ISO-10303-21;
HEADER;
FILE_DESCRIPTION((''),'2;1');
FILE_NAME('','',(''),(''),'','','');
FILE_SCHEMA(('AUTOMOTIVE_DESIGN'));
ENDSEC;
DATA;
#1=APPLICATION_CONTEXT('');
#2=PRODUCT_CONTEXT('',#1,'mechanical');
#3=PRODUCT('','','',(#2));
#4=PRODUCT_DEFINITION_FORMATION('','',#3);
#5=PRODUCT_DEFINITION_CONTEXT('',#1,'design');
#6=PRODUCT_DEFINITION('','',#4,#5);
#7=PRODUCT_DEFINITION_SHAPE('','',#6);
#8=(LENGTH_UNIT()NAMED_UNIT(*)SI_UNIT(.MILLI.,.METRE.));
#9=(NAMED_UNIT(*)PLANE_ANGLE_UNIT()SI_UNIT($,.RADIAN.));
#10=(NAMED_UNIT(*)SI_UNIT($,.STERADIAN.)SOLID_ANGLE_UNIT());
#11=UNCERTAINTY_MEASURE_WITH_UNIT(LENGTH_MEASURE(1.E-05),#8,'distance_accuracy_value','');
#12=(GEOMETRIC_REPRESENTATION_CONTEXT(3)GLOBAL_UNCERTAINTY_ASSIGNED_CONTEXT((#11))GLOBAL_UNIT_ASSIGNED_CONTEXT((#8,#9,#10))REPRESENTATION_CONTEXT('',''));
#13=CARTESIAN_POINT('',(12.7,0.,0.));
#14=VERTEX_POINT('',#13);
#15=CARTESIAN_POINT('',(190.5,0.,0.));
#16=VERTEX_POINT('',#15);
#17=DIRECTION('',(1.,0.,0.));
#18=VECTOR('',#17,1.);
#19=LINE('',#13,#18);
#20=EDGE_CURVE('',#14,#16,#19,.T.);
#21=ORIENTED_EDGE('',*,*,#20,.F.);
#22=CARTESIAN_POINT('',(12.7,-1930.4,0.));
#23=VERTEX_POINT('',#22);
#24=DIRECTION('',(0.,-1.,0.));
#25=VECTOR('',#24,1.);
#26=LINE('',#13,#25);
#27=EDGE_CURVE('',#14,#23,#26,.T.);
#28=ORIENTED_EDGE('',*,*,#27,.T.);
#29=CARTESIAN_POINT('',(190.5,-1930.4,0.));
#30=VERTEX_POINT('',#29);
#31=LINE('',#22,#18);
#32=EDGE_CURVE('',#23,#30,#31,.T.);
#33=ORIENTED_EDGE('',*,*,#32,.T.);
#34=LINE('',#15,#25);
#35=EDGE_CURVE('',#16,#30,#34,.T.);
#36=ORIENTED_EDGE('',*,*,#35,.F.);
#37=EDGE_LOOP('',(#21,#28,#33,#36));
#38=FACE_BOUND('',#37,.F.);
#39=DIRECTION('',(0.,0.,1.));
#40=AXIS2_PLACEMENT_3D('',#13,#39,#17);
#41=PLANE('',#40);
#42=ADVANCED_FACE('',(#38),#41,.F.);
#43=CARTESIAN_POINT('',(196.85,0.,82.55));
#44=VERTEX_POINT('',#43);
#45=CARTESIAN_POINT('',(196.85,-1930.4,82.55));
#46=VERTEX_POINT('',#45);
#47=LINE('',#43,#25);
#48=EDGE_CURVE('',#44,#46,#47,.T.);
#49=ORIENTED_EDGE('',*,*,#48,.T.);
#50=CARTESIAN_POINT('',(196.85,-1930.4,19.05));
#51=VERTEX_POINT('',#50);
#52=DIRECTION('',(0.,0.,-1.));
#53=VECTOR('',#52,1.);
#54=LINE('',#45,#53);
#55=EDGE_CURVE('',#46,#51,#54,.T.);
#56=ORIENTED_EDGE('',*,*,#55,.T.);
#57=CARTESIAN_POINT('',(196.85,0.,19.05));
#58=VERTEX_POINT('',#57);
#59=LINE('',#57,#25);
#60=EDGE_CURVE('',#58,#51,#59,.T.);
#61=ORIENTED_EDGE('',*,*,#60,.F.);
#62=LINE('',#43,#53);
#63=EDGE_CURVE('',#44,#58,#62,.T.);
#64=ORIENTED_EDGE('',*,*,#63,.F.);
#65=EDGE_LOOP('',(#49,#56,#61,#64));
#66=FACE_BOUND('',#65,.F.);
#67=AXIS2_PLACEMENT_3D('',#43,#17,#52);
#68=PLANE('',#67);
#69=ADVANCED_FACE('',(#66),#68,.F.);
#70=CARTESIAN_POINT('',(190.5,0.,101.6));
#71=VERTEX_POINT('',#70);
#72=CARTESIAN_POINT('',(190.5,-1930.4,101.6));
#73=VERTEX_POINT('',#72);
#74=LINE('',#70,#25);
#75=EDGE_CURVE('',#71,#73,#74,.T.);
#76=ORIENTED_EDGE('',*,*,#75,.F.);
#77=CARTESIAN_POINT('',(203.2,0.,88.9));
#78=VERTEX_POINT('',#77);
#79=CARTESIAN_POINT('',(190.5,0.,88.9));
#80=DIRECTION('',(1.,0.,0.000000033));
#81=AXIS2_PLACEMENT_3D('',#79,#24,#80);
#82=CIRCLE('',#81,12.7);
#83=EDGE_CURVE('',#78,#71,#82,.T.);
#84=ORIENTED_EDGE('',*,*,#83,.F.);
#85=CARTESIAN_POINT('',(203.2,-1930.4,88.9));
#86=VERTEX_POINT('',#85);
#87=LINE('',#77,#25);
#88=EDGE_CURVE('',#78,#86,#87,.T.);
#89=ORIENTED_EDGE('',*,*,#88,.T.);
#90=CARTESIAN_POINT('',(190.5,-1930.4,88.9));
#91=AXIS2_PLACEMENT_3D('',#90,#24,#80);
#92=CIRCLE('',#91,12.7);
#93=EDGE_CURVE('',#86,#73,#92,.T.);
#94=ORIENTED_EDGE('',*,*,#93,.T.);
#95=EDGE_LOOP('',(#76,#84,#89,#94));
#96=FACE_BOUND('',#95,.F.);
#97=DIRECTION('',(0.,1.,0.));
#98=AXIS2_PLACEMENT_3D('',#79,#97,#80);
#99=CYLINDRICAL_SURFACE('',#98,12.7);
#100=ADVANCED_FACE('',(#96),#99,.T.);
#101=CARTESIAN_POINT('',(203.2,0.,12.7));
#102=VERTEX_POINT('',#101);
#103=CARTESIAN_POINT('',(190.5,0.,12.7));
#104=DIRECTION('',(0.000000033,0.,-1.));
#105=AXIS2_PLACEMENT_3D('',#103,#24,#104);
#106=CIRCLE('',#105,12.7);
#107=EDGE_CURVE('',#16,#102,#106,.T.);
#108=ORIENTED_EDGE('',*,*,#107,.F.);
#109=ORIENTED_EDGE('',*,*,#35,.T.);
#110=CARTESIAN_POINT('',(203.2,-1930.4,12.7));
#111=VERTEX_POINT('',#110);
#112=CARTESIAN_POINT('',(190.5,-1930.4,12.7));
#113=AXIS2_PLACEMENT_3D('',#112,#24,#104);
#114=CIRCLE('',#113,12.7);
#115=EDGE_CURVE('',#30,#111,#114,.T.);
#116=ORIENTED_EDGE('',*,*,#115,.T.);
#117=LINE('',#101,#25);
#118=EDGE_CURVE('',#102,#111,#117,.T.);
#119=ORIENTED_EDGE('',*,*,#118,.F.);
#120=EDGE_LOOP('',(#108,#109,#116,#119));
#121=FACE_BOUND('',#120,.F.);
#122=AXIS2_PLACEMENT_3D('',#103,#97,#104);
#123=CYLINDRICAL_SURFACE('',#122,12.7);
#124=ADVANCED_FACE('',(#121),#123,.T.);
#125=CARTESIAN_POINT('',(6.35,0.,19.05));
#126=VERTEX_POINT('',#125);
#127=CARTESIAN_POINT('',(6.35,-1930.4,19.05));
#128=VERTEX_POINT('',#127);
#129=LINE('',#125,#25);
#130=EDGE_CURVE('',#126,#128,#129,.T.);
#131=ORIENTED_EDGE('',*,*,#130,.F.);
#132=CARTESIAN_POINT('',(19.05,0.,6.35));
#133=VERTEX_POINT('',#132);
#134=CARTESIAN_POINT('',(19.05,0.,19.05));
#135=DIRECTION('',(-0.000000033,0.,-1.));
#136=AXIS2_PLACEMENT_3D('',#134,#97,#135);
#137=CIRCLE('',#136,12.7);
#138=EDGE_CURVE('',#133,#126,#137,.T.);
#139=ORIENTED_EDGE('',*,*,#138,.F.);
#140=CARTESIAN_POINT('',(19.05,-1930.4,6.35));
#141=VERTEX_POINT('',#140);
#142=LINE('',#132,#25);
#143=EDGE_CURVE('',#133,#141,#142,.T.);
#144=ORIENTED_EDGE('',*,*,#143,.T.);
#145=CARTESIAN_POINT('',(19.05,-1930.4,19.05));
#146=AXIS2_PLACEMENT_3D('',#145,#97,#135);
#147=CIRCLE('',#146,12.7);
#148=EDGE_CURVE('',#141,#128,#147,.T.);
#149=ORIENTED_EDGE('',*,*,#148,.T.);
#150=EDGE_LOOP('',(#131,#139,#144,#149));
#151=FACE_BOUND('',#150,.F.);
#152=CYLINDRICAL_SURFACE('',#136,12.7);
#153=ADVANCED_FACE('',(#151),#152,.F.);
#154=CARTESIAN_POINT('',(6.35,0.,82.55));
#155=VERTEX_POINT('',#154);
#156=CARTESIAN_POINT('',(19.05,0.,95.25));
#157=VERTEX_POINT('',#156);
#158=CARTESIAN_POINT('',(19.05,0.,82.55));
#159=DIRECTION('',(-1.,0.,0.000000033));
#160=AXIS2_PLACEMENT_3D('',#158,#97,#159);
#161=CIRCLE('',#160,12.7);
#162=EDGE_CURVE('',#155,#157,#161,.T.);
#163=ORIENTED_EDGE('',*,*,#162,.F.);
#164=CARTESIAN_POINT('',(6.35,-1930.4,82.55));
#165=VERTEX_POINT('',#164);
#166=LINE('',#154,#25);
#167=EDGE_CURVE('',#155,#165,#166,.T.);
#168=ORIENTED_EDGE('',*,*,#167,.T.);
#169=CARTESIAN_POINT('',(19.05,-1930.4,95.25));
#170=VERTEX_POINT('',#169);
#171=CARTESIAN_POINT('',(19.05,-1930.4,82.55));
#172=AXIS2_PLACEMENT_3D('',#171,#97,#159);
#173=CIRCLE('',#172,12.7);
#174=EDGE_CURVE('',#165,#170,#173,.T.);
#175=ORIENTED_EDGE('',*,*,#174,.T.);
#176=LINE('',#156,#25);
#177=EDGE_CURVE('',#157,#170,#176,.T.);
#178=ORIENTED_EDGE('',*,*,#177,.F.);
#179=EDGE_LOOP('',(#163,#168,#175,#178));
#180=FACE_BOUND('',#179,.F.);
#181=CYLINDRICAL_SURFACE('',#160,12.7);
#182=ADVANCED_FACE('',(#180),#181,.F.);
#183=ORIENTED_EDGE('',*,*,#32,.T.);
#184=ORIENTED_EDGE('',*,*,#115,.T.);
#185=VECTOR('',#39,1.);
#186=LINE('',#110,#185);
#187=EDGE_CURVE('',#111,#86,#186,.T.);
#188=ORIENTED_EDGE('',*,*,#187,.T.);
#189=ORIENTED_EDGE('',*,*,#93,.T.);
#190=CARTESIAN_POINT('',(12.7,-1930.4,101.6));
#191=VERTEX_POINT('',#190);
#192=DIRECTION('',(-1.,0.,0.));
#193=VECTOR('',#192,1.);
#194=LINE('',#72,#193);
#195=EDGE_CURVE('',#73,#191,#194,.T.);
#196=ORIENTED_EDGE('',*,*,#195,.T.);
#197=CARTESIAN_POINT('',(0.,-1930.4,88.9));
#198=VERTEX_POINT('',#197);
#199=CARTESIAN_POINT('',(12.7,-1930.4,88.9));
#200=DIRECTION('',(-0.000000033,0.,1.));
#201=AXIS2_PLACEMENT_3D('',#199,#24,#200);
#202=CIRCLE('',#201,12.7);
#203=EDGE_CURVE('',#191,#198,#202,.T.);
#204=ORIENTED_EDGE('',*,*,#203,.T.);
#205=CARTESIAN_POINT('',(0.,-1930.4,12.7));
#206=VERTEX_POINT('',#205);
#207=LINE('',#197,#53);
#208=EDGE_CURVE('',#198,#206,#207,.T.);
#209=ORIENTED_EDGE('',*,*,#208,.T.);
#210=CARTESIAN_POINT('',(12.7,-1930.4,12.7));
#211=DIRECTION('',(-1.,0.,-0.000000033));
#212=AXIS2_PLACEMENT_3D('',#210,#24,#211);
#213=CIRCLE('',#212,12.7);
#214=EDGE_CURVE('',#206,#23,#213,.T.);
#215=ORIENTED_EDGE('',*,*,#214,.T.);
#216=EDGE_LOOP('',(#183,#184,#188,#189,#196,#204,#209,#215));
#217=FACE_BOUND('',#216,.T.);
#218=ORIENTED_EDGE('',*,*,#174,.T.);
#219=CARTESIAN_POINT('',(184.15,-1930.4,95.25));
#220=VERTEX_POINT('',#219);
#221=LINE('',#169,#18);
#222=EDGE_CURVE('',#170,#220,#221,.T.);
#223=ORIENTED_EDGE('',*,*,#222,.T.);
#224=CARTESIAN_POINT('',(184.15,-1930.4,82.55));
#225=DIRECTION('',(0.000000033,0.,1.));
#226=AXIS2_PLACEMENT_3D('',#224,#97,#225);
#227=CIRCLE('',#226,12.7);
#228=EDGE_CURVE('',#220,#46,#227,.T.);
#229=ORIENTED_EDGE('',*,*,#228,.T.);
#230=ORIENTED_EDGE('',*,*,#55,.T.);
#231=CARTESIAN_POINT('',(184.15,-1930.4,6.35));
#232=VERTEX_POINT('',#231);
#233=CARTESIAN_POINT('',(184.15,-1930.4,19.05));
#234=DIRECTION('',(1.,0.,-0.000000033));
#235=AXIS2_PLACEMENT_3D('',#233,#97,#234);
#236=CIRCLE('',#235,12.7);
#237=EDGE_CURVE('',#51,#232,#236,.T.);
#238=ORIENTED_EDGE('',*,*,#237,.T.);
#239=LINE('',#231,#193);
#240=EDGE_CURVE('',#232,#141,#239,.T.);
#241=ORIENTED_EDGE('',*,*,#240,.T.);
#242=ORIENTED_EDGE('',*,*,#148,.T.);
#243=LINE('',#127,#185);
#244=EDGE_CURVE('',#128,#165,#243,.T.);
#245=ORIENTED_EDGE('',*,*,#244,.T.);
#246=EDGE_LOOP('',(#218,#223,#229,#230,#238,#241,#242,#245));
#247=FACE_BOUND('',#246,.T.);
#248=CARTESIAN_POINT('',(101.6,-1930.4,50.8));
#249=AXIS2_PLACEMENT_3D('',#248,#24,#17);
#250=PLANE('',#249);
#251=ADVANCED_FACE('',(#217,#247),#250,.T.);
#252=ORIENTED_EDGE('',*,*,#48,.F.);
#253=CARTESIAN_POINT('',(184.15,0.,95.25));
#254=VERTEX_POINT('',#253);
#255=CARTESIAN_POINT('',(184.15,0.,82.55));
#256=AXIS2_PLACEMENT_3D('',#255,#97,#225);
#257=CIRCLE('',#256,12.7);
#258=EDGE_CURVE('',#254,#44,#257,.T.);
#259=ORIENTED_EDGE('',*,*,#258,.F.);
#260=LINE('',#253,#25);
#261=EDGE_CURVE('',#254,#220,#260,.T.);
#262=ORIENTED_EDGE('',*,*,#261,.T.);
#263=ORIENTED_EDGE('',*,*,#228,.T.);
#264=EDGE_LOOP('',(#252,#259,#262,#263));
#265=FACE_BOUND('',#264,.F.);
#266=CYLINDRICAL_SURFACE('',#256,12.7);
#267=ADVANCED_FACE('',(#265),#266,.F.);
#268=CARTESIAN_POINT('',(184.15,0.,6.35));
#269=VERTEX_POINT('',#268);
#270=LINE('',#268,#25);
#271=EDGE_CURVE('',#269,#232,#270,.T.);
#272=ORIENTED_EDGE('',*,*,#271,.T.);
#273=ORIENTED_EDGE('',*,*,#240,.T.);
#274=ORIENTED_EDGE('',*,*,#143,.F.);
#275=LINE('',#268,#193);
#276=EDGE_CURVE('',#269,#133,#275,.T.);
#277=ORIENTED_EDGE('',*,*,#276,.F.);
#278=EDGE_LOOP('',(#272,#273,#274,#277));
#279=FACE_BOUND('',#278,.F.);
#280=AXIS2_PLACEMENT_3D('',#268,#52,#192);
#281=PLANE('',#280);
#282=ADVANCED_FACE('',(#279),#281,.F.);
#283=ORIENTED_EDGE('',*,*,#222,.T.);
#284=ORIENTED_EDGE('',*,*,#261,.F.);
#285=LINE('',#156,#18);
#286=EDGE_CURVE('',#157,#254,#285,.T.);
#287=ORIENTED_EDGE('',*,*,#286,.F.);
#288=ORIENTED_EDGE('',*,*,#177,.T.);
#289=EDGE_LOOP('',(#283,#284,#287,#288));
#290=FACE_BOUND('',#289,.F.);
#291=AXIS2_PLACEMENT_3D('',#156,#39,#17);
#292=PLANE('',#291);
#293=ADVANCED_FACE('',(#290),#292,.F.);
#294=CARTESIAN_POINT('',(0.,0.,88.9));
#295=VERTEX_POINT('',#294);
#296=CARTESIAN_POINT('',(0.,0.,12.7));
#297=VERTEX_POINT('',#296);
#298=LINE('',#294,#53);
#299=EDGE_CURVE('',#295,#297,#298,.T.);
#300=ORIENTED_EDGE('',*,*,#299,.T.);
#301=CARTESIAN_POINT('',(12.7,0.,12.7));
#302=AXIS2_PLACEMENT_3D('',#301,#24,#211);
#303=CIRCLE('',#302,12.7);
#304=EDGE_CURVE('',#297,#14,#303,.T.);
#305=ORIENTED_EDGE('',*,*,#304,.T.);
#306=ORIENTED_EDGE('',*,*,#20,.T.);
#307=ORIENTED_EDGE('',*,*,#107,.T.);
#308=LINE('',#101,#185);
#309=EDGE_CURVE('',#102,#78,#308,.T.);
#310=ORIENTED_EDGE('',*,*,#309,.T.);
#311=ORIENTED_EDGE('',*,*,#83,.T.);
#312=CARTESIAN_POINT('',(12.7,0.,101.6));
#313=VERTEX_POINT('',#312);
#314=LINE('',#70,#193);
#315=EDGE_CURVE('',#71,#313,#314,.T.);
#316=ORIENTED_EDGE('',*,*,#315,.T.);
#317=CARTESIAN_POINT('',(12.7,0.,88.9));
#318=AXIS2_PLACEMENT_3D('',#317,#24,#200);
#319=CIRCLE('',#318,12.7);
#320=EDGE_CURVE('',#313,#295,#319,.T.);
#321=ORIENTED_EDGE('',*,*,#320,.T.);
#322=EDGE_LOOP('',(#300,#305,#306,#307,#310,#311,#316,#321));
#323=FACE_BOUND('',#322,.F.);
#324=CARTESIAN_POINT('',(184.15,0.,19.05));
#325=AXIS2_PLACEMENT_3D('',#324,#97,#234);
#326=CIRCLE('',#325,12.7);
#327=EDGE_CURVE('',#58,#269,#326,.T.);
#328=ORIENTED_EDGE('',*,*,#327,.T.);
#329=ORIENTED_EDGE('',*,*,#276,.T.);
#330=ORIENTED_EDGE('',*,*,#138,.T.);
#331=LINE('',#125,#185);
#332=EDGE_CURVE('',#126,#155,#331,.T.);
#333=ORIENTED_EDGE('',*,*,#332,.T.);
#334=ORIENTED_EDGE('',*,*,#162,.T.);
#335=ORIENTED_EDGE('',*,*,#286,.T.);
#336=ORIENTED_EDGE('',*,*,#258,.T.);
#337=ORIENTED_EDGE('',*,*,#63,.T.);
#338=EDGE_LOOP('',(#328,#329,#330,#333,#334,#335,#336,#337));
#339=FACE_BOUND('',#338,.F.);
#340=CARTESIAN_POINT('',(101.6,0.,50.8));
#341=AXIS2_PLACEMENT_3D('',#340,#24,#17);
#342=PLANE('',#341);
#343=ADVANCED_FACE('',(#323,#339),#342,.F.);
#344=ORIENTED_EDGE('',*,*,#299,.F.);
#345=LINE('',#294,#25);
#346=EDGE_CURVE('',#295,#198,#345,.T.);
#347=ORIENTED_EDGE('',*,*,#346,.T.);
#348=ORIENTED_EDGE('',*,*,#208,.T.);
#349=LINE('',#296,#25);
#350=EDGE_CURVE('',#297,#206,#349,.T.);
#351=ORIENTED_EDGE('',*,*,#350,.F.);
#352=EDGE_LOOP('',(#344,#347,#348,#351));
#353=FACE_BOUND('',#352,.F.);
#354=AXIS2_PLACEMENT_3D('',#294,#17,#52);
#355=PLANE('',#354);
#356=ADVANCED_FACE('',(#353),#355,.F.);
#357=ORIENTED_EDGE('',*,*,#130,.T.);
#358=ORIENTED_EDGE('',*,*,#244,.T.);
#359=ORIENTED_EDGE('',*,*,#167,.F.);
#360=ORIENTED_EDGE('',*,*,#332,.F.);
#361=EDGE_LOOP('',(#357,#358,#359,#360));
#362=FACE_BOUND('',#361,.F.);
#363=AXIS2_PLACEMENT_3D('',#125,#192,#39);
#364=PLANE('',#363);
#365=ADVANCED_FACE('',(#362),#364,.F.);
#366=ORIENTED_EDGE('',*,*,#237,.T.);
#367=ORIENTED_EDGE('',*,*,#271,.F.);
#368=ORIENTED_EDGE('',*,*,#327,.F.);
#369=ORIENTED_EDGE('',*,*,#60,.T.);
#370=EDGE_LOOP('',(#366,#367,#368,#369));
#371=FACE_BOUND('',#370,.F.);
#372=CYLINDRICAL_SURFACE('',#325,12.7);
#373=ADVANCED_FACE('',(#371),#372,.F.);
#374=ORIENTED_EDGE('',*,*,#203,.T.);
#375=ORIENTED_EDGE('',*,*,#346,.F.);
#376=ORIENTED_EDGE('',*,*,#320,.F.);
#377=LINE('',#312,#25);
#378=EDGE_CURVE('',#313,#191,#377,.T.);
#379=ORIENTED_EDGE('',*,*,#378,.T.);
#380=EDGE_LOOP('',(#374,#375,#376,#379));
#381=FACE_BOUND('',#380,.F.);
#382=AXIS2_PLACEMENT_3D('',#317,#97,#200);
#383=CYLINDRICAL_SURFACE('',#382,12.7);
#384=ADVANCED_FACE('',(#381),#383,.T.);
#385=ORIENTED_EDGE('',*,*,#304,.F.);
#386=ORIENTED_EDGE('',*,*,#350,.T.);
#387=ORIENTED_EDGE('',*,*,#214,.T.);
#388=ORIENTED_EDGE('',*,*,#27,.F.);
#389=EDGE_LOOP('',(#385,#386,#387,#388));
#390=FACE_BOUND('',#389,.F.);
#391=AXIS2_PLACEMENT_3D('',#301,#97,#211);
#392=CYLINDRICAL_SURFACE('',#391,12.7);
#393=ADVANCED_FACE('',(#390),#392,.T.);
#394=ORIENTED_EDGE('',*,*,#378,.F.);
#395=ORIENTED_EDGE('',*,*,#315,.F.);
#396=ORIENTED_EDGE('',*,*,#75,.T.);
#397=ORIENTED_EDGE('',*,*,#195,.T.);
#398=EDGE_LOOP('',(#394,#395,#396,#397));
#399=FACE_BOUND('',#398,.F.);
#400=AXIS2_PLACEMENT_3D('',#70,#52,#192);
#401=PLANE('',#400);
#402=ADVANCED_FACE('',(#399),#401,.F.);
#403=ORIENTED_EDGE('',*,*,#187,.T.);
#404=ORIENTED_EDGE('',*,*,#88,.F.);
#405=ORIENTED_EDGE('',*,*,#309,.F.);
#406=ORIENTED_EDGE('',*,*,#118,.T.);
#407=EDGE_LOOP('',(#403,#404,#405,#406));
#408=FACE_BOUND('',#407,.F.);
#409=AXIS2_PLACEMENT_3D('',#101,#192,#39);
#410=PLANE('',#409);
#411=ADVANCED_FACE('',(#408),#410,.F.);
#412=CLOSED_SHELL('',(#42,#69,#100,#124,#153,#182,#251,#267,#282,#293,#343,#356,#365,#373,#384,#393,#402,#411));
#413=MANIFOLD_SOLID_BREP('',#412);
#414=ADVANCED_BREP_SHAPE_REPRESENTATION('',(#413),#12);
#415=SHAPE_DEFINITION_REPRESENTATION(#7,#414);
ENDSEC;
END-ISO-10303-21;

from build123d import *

# Parameters (mm, degrees)
F1_DEPTH = 1930.4


with BuildPart() as f1:
    # F0 (on Front) → F1 (new body)
    with BuildSketch(Plane.XZ):
        with BuildLine():
            ThreePointArc((0, 12.7), (3.719744, 3.719744), (12.7, 0))
            Line((12.7, 0), (190.5, 0))
            ThreePointArc((190.5, 0), (199.480256, 3.719744), (203.2, 12.7))
            Line((203.2, 12.7), (203.2, 88.9))
            ThreePointArc((203.2, 88.9), (199.480256, 97.880256), (190.5, 101.6))
            Line((190.5, 101.6), (12.7, 101.6))
            ThreePointArc((12.7, 101.6), (3.719744, 97.880256), (0, 88.9))
            Line((0, 88.9), (0, 12.7))
        make_face()
        with BuildLine():
            Line((184.15, 6.35), (19.05, 6.35))
            ThreePointArc((19.05, 6.35), (10.069744, 10.069744), (6.35, 19.05))
            Line((6.35, 19.05), (6.35, 82.55))
            ThreePointArc((6.35, 82.55), (10.069744, 91.530256), (19.05, 95.25))
            Line((19.05, 95.25), (184.15, 95.25))
            ThreePointArc((184.15, 95.25), (193.130256, 91.530256), (196.85, 82.55))
            Line((196.85, 82.55), (196.85, 19.05))
            ThreePointArc((196.85, 19.05), (193.130256, 10.069744), (184.15, 6.35))
        make_face(mode=Mode.SUBTRACT)
    extrude(amount=F1_DEPTH)


solid = f1.part
